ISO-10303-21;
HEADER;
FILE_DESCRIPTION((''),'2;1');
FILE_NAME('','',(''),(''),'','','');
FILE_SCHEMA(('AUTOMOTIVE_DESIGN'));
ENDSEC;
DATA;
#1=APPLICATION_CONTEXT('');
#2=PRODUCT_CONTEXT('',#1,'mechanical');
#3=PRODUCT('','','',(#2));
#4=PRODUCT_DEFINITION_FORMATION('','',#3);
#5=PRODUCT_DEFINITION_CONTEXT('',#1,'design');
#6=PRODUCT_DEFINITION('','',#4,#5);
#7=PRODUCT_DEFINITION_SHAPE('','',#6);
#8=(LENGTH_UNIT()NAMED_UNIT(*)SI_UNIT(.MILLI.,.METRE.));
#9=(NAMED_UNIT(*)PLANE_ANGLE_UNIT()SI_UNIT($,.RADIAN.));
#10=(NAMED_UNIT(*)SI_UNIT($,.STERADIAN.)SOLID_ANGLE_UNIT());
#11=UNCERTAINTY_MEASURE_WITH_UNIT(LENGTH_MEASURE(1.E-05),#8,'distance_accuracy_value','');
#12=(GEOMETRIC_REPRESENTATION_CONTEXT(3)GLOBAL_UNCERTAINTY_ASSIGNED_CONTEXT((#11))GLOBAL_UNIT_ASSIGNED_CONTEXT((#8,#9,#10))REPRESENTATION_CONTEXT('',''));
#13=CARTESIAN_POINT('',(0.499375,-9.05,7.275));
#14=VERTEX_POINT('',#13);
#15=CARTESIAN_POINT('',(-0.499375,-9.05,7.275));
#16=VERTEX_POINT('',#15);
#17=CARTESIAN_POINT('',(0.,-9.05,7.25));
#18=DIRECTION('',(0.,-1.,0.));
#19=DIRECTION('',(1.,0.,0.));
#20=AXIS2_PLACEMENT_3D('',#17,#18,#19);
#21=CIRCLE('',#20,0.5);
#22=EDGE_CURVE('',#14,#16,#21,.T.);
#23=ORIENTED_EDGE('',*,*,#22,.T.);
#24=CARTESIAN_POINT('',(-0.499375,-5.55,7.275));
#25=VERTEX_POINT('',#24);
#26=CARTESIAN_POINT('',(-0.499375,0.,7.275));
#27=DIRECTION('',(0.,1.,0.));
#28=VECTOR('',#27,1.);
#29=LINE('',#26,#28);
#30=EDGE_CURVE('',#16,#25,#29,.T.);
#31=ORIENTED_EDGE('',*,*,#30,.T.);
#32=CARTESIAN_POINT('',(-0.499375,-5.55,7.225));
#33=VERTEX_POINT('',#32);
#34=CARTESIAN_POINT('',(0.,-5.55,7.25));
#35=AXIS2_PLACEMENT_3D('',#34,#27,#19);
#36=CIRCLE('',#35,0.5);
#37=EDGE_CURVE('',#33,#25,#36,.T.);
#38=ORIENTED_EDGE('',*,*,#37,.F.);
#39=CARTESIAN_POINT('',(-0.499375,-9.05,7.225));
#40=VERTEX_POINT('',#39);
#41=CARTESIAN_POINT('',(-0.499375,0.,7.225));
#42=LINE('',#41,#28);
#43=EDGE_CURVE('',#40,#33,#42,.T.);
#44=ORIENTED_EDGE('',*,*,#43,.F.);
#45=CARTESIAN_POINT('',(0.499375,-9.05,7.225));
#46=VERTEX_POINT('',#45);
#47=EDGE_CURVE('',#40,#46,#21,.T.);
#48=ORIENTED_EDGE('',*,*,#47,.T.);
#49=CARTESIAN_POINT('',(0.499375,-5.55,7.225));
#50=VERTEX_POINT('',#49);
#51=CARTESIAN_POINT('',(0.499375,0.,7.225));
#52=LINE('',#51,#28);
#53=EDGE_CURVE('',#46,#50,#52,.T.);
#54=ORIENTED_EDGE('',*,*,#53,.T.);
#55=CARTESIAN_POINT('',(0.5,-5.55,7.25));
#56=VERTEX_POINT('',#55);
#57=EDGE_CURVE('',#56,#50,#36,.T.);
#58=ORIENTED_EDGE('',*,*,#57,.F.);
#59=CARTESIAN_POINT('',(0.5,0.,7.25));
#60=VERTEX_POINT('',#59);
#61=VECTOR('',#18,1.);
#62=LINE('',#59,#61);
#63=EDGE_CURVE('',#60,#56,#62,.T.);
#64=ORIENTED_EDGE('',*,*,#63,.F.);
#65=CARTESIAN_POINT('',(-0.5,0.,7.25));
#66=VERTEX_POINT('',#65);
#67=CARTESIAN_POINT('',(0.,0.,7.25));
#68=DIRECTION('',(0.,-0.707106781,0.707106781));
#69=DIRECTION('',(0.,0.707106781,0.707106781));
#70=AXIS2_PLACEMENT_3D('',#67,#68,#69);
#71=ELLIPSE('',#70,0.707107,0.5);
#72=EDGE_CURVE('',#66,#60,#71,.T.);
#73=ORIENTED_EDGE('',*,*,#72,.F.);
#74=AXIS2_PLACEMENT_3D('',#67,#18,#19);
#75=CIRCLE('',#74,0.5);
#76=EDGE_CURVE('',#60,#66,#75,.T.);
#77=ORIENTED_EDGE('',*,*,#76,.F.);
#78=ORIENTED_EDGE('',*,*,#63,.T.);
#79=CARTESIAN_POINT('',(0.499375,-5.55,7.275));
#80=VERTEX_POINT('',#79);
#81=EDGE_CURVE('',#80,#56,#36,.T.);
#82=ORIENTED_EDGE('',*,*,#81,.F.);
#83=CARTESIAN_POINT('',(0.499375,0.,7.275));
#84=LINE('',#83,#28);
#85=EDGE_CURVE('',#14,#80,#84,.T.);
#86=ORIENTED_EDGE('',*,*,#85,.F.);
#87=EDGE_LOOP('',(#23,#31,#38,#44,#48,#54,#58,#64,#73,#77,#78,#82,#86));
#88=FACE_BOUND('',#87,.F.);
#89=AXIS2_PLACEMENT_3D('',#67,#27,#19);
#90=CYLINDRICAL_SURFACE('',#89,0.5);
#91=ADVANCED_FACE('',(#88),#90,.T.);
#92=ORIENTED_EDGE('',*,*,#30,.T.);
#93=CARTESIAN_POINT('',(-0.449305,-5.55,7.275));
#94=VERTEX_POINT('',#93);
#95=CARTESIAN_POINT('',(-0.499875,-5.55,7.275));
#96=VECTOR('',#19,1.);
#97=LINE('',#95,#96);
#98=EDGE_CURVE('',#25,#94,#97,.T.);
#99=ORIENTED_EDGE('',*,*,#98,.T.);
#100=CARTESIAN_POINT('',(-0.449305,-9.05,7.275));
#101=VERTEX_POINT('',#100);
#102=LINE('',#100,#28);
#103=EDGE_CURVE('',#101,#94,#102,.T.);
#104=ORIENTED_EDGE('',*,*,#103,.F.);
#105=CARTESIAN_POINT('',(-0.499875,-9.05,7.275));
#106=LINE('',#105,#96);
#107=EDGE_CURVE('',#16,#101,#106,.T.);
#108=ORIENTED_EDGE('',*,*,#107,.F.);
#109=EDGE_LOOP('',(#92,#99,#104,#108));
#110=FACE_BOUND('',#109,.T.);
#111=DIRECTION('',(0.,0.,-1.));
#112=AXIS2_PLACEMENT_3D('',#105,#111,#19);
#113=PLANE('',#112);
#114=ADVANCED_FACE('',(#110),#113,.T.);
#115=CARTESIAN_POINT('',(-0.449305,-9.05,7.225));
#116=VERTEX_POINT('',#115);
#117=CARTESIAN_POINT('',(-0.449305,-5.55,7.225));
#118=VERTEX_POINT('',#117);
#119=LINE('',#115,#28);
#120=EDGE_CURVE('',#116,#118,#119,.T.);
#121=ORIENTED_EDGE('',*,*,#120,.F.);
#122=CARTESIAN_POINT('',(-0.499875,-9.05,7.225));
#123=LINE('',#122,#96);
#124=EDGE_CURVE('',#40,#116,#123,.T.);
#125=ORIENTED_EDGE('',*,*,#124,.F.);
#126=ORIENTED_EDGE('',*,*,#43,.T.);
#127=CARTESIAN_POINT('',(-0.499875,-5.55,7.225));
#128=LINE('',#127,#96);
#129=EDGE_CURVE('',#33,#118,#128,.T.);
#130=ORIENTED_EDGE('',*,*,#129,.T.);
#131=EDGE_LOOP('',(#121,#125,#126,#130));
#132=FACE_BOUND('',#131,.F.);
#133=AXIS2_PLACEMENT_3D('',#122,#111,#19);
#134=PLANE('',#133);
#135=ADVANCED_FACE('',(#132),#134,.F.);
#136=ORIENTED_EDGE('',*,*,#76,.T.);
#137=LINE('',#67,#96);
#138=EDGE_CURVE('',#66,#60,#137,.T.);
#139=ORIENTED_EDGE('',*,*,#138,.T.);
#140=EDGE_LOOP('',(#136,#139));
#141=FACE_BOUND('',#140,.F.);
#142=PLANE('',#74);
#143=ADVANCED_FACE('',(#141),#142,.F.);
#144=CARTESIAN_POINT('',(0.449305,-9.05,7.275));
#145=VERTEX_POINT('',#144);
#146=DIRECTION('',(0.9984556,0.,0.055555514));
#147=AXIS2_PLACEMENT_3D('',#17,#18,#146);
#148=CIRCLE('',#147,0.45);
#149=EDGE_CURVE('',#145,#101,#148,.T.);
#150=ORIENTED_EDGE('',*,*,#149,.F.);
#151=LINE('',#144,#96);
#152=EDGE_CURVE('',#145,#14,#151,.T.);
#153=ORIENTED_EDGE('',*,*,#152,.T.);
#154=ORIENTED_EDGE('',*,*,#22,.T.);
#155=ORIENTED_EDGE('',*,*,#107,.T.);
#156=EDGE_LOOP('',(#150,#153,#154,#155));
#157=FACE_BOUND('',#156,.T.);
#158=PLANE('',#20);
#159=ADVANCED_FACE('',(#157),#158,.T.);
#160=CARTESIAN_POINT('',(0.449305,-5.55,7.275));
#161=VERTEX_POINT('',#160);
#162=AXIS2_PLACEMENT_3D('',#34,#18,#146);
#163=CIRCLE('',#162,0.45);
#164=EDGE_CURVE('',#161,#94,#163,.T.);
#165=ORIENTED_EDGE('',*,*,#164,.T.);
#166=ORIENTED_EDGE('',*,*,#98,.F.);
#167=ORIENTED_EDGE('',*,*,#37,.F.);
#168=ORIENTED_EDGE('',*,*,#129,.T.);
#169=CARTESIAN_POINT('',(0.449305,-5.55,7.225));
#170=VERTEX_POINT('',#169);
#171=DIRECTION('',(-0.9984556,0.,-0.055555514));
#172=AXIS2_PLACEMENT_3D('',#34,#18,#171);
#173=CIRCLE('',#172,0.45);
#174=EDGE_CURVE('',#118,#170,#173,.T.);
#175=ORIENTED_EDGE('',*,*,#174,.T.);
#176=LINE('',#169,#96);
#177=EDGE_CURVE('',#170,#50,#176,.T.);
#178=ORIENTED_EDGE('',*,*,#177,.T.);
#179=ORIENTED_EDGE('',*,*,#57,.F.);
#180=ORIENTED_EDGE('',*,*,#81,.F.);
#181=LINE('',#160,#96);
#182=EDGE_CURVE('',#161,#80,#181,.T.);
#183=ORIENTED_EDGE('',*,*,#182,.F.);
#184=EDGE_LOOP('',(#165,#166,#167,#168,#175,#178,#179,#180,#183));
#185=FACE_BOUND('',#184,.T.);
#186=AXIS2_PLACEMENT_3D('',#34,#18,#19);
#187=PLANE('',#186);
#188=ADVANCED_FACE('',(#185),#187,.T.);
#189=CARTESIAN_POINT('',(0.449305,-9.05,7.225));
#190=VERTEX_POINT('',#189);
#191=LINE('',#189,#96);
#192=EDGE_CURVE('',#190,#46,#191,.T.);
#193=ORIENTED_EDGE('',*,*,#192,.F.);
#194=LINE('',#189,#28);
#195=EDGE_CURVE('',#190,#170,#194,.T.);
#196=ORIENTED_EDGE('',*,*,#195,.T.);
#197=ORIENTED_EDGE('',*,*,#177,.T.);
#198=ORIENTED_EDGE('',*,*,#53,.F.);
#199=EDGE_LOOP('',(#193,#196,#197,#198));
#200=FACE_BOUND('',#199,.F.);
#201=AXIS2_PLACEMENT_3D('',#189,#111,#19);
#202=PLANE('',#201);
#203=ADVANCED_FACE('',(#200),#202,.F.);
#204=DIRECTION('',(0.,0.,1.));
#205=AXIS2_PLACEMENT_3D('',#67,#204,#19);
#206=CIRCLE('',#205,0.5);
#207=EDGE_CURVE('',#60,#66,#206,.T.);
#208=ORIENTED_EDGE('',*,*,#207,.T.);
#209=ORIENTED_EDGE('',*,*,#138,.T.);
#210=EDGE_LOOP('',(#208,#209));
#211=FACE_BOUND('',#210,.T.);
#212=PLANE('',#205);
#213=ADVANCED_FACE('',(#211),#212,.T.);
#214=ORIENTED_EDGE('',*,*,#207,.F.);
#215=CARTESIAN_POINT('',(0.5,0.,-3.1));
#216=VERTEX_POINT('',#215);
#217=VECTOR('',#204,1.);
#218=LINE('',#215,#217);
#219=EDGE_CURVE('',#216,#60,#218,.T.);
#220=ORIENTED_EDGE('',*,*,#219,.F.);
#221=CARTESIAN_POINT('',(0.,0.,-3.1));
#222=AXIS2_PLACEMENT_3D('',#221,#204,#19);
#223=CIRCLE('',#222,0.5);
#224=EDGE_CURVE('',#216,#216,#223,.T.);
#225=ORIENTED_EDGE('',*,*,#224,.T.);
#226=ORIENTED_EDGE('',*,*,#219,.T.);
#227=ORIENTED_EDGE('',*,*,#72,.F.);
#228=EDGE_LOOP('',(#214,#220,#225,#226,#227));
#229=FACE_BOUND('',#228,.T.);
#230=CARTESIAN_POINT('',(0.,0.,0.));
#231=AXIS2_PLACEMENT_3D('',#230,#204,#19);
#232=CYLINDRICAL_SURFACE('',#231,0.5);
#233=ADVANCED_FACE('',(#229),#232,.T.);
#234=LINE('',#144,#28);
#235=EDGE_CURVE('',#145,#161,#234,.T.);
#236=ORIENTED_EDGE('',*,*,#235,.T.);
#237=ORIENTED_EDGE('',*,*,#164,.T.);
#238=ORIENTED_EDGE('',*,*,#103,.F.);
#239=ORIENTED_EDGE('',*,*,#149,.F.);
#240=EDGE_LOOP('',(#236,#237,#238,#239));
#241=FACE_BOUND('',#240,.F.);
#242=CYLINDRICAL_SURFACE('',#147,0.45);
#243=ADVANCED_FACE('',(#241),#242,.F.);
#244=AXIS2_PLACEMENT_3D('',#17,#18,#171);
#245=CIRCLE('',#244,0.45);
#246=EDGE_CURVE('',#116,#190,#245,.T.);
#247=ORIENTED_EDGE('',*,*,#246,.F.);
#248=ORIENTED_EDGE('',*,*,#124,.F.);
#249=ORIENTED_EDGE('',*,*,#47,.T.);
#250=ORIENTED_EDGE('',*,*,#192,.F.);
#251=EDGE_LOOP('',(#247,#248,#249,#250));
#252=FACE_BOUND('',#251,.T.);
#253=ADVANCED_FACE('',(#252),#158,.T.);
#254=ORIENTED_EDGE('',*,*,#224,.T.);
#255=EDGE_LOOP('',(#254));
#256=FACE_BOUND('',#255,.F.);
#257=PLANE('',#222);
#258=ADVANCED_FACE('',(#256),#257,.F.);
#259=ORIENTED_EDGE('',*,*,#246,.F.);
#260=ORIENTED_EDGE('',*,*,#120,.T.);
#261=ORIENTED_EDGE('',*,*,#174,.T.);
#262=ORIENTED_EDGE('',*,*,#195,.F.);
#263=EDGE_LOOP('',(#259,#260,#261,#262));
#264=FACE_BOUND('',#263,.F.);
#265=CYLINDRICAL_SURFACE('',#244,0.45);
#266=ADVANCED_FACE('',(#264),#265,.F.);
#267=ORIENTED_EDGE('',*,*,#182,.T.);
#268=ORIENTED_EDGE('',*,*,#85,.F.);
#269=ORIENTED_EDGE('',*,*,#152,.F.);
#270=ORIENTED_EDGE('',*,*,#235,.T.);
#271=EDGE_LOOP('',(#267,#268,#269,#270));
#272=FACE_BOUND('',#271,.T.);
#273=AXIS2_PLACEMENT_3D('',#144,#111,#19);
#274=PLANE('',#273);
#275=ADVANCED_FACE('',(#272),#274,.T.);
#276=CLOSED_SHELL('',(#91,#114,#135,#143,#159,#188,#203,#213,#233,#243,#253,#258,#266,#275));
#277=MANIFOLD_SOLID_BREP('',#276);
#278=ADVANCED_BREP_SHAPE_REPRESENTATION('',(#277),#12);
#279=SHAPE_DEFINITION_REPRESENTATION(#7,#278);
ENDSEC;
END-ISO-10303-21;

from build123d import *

# Parameters (mm, degrees)
SKETCH015_R       = 0.5
PAD004_DEPTH      = 7.25
PAD004_DEPTH_BACK = 3.1
SKETCH016_R       = 0.5
PAD005_DEPTH      = 9.05
POCKET009_DEPTH   = 3.5


with BuildPart() as part:
    # Sketch015 → Pad004 (new body, two sides)
    with BuildSketch(Plane.XY) as pad004_sk:
        Circle(SKETCH015_R)
    extrude(amount=PAD004_DEPTH)
    extrude(pad004_sk.sketch, amount=-PAD004_DEPTH_BACK)

    # Sketch016 → Pad005 (join)
    with BuildSketch(Plane.XZ):
        with Locations((0, 7.25)):
            Circle(SKETCH016_R)
    extrude(amount=PAD005_DEPTH)

    # Sketch017 (on DatumPlane) → Pocket009 (cut)
    with BuildSketch(Plane.XZ.offset(9.05)):
        with BuildLine():
            ThreePointArc((-0.449305, 7.225), (0, 6.8), (0.449305, 7.225))
            Line((0.449305, 7.225), (0.499875, 7.225))
            ThreePointArc((0.499875, 7.225), (0.5005, 7.25), (0.499875, 7.275))
            Line((0.449305, 7.275), (0.499875, 7.275))
            ThreePointArc((0.449305, 7.275), (0, 7.7), (-0.449305, 7.275))
            Line((-0.499875, 7.275), (-0.449305, 7.275))
            ThreePointArc((-0.499875, 7.275), (-0.5005, 7.25), (-0.499875, 7.225))
            Line((-0.499875, 7.225), (-0.449305, 7.225))
        make_face()
    extrude(amount=-POCKET009_DEPTH, mode=Mode.SUBTRACT)


solid = part.part
